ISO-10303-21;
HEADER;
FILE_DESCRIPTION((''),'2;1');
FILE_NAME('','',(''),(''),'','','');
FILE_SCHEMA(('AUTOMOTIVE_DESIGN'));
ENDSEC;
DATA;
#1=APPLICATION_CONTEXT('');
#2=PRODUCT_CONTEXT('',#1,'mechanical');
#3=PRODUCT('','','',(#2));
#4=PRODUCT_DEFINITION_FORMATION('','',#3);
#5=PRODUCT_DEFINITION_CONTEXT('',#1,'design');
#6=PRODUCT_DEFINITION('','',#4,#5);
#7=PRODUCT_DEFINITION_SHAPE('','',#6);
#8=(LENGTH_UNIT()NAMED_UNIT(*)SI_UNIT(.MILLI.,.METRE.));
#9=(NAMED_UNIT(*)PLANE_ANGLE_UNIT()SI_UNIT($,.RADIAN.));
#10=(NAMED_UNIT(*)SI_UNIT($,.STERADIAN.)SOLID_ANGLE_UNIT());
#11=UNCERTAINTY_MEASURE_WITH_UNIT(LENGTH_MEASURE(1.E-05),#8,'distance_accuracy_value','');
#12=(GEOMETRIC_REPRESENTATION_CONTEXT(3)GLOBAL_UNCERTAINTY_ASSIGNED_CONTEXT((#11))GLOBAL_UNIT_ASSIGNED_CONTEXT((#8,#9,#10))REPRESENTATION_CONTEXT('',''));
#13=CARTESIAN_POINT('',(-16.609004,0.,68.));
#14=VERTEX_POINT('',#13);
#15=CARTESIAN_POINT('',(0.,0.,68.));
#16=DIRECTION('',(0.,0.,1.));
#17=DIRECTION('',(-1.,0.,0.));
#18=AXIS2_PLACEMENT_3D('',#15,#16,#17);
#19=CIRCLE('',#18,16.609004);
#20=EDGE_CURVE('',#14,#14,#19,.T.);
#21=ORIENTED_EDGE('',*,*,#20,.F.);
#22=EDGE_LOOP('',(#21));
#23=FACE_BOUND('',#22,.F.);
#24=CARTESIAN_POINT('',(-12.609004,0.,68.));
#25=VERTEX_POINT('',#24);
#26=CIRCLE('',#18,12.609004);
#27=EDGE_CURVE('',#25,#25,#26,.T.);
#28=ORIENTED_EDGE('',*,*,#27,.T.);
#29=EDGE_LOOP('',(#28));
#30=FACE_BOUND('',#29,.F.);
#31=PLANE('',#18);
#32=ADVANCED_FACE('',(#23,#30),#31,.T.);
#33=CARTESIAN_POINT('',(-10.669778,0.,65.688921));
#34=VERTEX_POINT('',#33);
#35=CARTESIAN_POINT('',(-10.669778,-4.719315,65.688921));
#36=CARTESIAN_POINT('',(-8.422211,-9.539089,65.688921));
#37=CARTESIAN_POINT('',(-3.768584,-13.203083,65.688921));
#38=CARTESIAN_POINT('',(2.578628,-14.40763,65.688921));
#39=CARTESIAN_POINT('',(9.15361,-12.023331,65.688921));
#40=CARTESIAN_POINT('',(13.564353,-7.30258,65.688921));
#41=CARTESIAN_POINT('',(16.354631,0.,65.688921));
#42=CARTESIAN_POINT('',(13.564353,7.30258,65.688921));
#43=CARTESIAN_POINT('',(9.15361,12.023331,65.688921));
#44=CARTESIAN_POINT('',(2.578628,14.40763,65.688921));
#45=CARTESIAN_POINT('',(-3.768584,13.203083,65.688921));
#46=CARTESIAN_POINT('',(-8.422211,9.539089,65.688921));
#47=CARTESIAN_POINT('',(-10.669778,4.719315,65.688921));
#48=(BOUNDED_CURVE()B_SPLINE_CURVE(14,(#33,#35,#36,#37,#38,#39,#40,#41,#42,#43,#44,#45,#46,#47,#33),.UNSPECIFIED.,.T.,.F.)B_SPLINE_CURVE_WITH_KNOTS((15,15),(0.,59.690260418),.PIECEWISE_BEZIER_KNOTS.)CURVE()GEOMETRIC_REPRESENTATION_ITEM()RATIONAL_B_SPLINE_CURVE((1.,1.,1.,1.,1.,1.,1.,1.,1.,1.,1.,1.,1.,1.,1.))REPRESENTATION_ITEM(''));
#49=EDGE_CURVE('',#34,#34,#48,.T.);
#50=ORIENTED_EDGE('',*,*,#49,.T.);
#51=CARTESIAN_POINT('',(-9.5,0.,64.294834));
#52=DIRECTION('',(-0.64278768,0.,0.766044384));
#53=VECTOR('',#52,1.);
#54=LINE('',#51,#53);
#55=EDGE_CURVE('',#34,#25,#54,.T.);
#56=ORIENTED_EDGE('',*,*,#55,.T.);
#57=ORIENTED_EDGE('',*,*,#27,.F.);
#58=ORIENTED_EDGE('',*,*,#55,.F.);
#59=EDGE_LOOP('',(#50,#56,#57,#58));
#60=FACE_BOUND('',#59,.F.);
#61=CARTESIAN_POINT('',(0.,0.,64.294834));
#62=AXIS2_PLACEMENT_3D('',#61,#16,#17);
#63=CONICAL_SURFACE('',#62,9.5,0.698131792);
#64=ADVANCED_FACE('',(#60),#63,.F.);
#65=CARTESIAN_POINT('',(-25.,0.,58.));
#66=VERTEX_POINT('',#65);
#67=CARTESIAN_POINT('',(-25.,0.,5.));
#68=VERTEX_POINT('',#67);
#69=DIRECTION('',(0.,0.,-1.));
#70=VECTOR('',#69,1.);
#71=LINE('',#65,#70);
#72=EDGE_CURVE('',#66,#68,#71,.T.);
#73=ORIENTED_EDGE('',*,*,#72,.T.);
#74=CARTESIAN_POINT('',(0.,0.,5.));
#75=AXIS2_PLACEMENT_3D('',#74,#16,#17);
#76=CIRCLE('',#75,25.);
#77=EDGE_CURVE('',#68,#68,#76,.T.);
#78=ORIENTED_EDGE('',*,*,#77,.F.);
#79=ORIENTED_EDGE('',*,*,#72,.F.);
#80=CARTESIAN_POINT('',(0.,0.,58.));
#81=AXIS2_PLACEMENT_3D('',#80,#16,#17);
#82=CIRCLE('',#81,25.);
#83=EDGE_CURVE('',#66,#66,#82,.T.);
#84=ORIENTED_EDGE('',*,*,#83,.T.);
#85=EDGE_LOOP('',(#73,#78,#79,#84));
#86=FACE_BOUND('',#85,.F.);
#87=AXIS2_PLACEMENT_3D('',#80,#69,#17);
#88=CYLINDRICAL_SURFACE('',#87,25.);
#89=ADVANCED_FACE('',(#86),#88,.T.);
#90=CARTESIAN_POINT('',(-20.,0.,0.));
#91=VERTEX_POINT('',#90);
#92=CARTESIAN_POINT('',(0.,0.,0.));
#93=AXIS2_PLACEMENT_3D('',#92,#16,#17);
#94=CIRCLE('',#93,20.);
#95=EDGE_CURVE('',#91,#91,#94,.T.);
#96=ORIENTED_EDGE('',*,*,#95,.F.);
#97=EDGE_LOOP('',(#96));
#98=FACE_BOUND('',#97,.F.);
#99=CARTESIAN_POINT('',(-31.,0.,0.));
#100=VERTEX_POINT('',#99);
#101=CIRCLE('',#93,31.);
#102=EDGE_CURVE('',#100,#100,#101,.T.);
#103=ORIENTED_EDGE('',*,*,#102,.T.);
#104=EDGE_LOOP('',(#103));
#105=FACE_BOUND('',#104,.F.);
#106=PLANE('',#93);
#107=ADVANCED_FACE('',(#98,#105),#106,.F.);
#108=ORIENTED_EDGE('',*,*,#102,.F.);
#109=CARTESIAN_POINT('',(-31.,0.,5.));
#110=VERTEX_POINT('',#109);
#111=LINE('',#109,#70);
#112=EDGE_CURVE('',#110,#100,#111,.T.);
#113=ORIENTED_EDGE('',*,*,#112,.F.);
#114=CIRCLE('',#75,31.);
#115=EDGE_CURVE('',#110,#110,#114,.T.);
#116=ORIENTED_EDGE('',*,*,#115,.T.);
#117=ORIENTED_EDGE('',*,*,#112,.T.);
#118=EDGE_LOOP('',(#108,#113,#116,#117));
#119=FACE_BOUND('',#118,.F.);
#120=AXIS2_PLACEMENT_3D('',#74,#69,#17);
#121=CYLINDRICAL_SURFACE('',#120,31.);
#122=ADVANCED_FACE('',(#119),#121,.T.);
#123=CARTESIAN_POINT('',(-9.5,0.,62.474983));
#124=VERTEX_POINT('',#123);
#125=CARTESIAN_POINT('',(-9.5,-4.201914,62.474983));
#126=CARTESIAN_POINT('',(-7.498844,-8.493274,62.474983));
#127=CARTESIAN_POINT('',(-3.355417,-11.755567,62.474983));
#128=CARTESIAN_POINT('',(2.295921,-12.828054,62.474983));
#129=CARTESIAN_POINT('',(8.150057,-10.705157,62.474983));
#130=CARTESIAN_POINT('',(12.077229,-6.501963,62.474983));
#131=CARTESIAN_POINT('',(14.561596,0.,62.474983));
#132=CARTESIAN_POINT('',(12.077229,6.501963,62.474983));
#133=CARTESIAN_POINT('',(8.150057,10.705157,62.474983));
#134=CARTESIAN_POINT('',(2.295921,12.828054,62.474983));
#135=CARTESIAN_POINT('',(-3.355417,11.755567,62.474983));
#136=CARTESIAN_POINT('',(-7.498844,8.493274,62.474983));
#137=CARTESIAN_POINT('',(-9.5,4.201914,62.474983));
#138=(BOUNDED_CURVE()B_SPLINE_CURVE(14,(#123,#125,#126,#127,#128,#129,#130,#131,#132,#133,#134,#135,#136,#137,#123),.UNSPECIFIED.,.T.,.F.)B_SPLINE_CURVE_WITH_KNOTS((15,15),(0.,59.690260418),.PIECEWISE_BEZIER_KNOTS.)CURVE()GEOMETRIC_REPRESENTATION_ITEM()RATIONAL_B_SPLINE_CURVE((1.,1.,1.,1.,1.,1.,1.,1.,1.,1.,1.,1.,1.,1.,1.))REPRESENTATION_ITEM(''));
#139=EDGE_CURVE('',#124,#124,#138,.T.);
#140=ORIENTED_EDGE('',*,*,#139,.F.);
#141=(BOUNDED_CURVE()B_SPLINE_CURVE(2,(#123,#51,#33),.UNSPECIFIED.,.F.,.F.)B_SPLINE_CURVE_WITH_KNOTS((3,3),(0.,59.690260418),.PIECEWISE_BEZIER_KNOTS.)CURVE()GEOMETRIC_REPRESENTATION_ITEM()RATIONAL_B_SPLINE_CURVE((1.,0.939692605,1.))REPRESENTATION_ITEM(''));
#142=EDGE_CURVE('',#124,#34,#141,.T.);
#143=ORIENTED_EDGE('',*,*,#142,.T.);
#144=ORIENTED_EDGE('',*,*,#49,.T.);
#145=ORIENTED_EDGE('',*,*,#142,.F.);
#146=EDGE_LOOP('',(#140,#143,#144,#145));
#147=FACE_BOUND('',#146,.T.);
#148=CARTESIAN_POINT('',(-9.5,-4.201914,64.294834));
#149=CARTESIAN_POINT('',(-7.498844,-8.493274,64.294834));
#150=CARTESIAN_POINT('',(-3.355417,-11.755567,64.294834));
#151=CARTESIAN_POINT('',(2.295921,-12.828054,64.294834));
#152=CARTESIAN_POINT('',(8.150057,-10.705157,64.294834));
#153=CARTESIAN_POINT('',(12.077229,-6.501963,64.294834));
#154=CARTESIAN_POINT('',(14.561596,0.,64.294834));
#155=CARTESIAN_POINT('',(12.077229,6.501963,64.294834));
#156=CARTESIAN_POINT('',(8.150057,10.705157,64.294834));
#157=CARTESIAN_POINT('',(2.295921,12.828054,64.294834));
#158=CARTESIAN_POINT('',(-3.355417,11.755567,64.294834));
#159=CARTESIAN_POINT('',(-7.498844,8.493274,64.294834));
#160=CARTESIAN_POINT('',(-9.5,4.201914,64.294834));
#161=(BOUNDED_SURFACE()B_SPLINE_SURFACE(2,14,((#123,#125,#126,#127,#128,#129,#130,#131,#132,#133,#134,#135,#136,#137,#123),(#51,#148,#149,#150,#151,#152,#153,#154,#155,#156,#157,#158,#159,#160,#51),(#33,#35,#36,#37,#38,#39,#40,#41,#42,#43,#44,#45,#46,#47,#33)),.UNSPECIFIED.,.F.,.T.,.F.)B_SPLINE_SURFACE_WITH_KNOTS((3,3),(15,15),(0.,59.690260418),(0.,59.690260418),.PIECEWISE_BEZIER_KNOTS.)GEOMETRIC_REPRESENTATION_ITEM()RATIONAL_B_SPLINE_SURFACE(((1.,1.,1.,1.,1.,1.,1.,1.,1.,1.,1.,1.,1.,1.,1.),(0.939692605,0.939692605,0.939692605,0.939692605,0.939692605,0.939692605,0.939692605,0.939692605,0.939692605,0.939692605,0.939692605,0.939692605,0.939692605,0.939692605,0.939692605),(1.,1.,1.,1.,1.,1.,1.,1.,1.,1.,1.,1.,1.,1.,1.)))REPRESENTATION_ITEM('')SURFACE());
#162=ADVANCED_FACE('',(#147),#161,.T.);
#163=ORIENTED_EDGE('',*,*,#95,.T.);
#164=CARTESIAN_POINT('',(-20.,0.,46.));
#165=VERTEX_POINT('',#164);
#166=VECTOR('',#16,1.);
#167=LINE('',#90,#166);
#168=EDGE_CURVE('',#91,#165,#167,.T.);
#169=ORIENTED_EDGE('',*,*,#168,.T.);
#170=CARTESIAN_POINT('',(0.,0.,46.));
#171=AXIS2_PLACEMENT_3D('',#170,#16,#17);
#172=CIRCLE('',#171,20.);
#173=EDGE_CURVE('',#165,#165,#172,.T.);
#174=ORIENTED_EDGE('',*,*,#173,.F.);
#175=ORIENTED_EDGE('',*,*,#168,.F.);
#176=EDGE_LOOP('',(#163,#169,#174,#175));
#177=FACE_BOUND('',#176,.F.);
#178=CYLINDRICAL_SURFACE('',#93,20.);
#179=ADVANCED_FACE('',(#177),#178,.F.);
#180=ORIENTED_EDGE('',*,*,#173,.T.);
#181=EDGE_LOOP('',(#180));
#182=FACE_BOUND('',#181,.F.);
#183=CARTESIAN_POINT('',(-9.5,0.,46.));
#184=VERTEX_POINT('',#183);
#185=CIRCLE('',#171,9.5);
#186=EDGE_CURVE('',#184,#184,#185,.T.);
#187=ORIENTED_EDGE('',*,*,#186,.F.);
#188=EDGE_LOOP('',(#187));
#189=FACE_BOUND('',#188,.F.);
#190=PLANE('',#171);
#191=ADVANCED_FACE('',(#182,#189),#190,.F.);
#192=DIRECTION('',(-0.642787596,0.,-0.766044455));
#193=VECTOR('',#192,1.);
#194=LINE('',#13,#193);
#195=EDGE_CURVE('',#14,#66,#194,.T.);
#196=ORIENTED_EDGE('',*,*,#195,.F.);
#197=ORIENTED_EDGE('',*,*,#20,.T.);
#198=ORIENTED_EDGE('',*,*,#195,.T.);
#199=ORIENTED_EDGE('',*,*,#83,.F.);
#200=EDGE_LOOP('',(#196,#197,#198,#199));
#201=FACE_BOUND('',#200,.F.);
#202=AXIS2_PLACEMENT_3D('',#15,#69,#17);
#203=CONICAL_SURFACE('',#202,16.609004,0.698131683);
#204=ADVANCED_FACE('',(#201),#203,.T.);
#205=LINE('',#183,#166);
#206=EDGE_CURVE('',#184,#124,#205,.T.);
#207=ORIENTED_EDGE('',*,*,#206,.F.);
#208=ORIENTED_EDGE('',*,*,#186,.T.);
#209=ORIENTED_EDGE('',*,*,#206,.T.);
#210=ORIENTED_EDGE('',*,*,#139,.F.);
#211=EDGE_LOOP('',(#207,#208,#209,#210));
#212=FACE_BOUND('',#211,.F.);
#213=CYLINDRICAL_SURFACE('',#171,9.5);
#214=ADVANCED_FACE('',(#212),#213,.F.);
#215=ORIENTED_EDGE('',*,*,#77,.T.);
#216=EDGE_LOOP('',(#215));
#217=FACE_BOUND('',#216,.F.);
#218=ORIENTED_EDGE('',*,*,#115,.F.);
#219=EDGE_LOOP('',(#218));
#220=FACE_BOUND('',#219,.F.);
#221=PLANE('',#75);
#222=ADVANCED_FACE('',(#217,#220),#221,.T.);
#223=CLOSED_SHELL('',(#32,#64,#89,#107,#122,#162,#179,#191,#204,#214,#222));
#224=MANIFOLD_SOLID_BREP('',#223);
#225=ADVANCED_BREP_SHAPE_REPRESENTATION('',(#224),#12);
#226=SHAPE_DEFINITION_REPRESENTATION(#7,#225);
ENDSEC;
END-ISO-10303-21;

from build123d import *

# Parameters (mm, degrees)
F2_R = 5


with BuildPart() as f1:
    # F0 (on Front) → F1 (revolve)
    with BuildSketch(Plane.XZ):
        Polygon((-31, 0), (-20, 0), (-20, 46), (-9.5, 46), (-9.5, 64.294834), (-12.609004, 68), (-16.609004, 68), (-25, 58), (-25, 5), (-31, 5), align=None)
    revolve(axis=Axis((0, 0, 34), (0, 0, 1)))

    # F2
    f2_edges = [f1.edges().sort_by_distance(p)[0] for p in [
        (9.5, 0, 64.294834),
    ]]
    fillet(f2_edges, radius=F2_R)


solid = f1.part
